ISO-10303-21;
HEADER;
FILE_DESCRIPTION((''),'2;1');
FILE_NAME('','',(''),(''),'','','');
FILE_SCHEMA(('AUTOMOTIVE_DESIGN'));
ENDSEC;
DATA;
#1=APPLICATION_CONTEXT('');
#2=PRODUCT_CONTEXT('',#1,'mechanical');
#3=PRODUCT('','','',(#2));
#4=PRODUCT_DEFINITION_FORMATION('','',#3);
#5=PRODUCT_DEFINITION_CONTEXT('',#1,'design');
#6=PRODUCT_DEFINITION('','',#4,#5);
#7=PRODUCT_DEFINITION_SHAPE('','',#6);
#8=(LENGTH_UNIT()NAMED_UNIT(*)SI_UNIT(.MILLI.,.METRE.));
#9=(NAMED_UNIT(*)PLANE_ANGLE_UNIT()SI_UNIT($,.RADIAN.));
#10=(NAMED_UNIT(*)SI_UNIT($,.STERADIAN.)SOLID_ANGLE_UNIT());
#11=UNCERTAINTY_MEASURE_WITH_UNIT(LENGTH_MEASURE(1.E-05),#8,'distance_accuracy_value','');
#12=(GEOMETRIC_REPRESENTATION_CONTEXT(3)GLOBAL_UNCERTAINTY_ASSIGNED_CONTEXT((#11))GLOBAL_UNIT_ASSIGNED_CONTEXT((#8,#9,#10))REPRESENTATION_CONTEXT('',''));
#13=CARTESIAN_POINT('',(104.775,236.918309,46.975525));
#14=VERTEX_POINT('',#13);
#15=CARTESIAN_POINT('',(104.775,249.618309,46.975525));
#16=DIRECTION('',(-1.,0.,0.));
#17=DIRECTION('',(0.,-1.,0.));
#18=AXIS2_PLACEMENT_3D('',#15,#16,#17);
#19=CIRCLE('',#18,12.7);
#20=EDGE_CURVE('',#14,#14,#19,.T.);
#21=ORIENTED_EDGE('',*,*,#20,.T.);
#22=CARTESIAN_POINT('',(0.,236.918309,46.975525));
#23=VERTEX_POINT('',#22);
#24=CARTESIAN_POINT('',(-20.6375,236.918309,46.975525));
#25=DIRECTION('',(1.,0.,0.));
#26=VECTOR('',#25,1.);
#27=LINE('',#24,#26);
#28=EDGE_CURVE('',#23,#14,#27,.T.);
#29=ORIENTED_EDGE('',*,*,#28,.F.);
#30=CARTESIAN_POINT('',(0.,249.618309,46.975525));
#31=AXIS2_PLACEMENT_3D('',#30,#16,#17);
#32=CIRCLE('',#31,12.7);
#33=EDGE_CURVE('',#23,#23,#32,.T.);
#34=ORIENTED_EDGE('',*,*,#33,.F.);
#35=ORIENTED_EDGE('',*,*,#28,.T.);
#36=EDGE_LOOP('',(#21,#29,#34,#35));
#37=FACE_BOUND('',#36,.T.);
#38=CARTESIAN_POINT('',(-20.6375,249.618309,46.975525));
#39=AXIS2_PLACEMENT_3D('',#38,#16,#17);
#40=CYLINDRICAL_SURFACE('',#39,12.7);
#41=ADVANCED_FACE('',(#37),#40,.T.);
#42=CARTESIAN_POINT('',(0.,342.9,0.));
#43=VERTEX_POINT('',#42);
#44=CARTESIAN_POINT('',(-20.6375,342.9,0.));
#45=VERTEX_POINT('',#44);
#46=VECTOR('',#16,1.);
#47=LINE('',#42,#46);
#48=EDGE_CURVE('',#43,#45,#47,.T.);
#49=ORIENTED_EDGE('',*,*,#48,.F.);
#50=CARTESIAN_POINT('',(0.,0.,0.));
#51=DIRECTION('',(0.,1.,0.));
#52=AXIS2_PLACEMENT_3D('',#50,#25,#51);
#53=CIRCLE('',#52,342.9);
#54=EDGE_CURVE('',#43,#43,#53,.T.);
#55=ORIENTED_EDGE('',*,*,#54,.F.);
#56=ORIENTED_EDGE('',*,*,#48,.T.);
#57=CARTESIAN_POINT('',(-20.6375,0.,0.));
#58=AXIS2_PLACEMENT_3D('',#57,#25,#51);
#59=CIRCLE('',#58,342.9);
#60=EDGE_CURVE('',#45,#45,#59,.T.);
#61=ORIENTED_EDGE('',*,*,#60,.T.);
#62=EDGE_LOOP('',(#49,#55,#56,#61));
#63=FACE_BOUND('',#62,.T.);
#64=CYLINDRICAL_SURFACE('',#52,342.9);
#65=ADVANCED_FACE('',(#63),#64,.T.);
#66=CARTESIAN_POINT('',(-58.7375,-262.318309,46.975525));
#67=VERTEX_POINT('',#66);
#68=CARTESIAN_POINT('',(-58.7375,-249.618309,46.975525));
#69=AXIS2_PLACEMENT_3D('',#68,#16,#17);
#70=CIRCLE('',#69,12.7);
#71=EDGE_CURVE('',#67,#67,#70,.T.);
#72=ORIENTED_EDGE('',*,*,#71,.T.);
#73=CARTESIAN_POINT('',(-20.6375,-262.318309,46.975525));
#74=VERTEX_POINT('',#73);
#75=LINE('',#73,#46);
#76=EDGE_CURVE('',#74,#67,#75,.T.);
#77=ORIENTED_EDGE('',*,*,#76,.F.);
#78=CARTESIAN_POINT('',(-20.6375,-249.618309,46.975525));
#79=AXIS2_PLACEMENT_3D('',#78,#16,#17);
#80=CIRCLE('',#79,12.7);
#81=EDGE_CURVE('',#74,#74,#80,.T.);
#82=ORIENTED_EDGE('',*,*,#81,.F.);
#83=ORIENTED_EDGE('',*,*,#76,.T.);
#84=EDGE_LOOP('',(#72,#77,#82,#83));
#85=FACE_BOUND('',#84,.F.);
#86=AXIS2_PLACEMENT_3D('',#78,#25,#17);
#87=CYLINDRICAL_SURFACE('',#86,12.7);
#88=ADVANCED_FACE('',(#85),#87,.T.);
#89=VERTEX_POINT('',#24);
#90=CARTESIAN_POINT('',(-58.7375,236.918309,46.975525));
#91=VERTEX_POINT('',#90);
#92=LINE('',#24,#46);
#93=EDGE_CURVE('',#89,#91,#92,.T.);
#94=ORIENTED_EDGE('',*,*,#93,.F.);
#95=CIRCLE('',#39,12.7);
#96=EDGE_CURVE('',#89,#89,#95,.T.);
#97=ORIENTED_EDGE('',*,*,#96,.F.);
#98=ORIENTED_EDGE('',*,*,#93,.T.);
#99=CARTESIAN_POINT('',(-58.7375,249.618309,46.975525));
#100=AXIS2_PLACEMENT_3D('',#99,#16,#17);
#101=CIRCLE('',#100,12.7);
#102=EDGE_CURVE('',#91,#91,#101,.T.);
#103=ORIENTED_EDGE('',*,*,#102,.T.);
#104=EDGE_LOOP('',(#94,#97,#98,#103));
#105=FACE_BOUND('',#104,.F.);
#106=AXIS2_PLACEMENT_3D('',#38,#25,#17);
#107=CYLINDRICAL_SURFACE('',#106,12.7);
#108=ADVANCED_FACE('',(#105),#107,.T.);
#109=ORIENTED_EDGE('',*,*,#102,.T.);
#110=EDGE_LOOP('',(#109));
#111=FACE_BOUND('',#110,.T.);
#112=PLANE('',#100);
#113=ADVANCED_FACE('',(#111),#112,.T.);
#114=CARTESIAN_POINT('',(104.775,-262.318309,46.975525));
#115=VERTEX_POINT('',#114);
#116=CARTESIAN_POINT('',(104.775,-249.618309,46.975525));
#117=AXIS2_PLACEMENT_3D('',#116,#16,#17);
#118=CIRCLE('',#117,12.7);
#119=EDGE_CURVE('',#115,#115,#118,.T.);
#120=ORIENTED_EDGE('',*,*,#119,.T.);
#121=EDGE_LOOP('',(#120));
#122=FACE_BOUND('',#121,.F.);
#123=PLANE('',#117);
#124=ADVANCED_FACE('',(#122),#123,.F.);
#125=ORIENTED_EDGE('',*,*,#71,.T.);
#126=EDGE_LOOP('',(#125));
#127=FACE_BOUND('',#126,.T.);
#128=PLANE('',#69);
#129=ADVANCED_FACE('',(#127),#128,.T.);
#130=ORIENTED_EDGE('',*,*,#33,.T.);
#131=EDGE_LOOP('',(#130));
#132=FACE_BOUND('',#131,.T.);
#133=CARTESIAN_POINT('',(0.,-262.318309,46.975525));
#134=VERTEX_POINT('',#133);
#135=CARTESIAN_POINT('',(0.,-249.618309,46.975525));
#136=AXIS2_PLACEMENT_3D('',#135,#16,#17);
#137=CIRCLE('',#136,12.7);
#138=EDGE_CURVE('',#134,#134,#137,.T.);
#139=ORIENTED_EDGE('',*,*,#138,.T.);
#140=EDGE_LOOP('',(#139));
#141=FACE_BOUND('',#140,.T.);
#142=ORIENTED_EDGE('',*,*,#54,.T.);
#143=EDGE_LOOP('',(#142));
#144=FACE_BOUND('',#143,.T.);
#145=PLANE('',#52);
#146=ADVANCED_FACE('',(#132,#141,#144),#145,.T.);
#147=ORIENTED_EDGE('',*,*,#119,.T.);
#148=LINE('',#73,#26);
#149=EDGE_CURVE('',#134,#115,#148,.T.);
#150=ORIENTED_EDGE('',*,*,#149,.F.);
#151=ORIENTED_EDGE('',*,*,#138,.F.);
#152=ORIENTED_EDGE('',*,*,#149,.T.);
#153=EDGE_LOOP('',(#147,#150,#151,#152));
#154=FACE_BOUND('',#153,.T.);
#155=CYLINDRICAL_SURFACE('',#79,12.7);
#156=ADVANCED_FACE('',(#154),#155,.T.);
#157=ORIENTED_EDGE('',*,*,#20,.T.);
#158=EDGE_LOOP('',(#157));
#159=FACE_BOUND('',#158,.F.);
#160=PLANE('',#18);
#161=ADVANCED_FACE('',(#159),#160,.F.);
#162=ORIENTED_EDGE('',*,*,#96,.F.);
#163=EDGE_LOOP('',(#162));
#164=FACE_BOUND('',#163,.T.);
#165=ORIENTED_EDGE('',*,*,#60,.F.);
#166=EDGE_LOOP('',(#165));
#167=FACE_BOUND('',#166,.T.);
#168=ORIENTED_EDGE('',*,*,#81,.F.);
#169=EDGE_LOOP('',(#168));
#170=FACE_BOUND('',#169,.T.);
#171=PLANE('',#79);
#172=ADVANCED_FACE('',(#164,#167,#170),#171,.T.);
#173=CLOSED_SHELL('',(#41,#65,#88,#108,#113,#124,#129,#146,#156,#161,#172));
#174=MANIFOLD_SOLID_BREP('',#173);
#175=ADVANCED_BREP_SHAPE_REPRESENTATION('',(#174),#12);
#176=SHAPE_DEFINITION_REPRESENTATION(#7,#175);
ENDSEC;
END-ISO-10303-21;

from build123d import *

# Parameters (mm, degrees)
F0_R     = 342.9
F1_DEPTH = 20.6375
F2_R     = 12.7
F3_DEPTH = 125.4125
F4_DEPTH = 38.1


with BuildPart() as f1:
    # F0 (on Right) → F1 (new body)
    with BuildSketch(Plane.YZ):
        Circle(F0_R)
    extrude(amount=-F1_DEPTH)

    # F2 (on face) → F3 (join)
    with BuildSketch(Plane(origin=(-20.6375, 0, 0), x_dir=(0, -1, 0), z_dir=(-1, 0, 0))):
        with Locations((249.618309, 46.975525)):
            Circle(F2_R)
        with Locations((-249.618309, 46.975525)):
            Circle(F2_R)
    extrude(amount=-F3_DEPTH)

    # F2 (on face) → F4 (join)
    with BuildSketch(Plane(origin=(-20.6375, 0, 0), x_dir=(0, -1, 0), z_dir=(-1, 0, 0))):
        with Locations((249.618309, 46.975525)):
            Circle(F2_R)
        with Locations((-249.618309, 46.975525)):
            Circle(F2_R)
    extrude(amount=F4_DEPTH)


solid = f1.part
